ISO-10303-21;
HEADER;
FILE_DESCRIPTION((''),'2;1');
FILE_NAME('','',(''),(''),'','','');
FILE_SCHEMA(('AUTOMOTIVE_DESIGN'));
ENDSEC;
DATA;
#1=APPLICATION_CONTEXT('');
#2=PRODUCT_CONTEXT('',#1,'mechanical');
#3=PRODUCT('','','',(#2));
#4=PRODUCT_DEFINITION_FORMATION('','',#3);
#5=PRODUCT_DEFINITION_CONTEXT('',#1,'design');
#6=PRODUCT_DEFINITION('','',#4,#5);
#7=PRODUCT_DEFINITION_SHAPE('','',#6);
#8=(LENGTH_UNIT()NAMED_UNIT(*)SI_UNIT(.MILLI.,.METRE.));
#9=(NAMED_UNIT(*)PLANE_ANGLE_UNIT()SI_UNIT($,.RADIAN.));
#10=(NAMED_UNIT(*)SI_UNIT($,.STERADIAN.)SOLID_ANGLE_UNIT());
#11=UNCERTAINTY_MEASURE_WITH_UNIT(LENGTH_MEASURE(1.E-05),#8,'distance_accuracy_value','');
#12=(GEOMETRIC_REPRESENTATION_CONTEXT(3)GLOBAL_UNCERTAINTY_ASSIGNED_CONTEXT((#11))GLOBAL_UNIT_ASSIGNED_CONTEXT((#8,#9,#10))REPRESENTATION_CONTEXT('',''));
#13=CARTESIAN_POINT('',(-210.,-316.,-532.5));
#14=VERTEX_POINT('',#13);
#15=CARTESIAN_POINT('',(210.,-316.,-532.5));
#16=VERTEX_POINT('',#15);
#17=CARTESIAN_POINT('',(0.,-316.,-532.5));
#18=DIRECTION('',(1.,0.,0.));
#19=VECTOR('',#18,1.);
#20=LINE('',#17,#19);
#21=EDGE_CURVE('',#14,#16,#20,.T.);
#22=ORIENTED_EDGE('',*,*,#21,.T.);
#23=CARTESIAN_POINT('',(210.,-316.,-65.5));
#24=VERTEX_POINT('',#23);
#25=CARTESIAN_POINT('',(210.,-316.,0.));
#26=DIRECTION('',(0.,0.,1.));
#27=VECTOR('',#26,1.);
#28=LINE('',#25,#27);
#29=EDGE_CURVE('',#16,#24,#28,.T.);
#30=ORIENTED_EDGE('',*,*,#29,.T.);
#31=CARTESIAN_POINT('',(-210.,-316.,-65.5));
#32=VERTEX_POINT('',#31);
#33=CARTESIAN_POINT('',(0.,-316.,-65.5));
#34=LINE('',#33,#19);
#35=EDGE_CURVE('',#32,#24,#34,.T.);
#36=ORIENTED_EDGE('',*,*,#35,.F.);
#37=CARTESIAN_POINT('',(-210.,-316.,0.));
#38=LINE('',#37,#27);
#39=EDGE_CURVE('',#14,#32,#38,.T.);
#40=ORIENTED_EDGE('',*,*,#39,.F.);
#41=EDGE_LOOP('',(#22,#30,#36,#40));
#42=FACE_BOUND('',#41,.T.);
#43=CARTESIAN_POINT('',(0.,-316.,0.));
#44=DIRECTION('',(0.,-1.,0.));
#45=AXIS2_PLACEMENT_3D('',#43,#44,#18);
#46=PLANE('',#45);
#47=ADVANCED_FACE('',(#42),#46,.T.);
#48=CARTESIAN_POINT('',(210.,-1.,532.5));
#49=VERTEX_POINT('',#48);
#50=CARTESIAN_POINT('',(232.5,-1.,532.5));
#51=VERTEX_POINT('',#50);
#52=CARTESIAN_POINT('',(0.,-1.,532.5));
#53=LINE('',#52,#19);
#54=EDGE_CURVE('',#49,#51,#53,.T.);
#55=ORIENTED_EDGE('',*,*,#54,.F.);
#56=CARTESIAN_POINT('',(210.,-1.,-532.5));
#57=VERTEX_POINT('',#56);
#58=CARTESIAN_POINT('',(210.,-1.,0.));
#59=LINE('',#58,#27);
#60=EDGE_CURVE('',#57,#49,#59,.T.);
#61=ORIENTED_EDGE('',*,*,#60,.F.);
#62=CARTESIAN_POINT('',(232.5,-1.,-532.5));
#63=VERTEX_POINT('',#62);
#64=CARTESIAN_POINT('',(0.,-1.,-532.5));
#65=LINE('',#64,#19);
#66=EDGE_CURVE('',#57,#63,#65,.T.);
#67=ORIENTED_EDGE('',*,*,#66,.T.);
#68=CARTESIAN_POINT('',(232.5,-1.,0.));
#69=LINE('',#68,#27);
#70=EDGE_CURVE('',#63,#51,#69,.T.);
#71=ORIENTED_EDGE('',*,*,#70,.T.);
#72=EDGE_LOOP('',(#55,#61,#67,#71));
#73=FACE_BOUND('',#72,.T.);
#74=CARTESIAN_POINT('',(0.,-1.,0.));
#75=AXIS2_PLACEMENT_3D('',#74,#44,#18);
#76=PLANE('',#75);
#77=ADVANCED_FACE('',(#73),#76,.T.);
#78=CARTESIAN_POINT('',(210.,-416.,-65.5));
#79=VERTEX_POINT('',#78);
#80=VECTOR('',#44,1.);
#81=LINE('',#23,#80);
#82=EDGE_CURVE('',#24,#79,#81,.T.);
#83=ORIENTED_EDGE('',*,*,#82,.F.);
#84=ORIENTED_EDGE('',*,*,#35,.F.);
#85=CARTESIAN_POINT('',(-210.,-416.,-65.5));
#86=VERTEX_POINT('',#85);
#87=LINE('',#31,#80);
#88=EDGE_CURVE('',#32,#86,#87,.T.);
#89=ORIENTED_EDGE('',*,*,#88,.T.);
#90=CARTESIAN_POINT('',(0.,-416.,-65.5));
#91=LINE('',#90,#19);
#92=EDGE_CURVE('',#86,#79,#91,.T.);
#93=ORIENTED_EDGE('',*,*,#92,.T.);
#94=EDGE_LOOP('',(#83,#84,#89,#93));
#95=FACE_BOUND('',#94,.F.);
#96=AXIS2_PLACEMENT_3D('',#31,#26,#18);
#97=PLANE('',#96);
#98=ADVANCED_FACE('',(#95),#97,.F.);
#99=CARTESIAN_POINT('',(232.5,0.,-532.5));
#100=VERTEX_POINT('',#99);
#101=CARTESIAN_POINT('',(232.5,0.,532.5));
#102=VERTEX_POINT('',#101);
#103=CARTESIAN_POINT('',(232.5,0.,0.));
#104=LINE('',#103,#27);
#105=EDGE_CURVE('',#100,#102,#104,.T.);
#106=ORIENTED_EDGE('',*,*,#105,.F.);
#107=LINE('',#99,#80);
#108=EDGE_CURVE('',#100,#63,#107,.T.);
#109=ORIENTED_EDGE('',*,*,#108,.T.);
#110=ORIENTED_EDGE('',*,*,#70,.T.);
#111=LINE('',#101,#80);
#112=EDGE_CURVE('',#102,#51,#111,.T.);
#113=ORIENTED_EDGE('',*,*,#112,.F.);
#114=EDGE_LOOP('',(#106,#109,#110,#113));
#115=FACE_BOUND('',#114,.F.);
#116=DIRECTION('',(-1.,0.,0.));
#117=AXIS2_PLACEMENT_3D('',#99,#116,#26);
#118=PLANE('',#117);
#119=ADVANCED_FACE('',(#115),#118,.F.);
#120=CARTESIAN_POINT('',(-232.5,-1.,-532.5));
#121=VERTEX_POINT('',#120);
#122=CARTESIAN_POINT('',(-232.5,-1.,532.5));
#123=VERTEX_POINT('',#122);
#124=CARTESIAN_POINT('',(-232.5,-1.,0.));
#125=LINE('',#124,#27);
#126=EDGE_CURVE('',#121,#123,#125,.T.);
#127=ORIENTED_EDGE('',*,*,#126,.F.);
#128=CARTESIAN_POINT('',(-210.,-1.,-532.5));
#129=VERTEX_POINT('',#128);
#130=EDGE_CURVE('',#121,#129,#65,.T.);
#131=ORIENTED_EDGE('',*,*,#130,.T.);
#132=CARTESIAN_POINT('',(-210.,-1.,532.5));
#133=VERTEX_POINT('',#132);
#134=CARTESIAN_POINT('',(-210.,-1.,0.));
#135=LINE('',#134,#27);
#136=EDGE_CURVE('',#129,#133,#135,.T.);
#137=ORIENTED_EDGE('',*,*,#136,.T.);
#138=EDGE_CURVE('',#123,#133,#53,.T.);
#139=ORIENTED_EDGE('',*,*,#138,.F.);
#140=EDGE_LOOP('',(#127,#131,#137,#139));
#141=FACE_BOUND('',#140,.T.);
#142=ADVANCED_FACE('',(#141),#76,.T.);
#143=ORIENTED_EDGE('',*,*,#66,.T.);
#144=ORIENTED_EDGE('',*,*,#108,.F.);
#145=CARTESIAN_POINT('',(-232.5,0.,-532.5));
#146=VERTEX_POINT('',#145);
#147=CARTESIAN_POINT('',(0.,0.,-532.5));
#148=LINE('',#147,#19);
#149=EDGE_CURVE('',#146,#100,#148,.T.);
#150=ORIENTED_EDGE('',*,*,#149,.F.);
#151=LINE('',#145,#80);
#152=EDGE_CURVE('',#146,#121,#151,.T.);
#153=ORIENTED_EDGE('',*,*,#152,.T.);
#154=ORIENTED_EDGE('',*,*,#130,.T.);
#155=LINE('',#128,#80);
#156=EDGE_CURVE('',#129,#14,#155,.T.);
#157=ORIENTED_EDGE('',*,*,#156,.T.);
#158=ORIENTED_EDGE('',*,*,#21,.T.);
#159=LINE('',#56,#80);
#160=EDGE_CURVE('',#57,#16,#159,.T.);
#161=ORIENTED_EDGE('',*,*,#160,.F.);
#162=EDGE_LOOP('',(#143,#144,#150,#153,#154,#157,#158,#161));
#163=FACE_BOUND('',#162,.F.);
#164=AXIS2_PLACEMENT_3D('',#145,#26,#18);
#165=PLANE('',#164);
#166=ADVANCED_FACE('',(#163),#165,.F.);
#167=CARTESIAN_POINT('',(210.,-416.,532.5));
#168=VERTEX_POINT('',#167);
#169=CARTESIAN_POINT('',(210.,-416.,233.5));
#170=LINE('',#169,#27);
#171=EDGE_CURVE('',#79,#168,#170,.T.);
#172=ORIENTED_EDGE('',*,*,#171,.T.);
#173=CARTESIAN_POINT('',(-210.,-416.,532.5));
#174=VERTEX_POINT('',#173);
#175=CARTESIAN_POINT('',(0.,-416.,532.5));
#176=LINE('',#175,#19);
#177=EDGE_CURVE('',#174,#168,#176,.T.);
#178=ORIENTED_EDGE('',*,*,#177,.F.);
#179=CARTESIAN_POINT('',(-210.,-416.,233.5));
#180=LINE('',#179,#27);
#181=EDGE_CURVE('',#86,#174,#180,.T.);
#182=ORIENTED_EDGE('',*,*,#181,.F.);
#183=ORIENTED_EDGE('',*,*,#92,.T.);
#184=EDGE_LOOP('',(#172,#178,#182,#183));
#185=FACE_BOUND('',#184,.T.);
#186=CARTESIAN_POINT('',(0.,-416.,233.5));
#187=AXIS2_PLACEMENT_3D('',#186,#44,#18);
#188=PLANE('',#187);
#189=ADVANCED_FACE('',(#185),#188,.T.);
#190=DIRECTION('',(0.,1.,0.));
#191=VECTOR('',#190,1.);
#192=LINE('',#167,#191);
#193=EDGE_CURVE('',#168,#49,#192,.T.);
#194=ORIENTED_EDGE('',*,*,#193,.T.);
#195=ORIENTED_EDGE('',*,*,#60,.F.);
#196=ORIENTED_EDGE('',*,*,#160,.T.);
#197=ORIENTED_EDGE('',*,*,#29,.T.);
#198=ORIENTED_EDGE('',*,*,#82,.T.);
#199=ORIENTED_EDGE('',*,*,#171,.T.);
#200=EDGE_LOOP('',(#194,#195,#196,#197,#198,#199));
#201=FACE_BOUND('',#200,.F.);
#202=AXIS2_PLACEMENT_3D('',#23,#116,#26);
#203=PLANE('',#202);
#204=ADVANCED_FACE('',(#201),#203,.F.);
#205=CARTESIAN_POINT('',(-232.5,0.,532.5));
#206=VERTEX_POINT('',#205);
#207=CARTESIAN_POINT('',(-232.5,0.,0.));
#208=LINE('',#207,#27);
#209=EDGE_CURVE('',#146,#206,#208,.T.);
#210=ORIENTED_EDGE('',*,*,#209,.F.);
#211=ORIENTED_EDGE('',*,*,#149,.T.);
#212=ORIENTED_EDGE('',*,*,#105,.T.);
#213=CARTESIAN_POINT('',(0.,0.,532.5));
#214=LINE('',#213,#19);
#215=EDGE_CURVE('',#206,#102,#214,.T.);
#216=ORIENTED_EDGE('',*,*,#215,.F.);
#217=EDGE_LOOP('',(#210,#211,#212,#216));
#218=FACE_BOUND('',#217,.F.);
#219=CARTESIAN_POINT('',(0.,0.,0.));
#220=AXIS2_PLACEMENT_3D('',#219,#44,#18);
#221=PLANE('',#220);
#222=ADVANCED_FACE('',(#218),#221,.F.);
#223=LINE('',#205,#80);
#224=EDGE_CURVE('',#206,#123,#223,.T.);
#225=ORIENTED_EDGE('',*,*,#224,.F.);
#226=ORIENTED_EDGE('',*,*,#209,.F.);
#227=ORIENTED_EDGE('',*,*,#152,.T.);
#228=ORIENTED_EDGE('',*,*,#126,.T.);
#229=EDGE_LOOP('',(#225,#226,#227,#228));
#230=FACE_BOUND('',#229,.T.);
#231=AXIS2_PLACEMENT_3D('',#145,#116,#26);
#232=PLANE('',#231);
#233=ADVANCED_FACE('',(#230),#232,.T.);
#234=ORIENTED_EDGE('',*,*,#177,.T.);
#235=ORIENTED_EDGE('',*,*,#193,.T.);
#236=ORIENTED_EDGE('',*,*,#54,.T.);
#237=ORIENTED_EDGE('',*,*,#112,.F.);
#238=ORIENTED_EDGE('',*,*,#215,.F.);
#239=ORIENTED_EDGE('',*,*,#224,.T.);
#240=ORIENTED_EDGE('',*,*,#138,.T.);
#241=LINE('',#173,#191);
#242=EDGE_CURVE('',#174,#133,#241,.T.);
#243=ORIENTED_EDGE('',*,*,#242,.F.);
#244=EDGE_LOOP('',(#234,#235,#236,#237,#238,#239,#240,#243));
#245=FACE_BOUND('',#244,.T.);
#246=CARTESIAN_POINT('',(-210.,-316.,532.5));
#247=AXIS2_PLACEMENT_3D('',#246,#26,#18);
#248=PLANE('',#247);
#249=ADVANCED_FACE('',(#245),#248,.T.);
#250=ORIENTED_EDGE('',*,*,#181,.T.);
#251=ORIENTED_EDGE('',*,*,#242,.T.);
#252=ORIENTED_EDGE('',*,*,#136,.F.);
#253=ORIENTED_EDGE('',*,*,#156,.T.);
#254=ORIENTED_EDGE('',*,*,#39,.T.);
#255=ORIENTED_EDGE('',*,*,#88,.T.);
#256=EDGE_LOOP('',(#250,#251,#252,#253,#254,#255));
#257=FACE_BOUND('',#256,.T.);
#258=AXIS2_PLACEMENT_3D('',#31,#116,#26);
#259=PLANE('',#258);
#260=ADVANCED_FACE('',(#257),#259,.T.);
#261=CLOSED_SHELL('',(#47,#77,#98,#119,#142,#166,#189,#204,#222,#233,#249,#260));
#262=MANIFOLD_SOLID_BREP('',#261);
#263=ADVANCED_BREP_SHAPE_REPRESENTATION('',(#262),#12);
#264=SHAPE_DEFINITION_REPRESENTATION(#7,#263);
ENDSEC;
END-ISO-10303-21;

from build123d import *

# Parameters (mm, degrees)
F0_W     = 465
F0_H     = 1065
F1_DEPTH = 1
F2_W     = 420
F2_H     = 1065
F3_DEPTH = 315
F4_W     = 420
F4_H     = 598
F5_DEPTH = 100


with BuildPart() as f1:
    # F0 (on Front) → F1 (new body)
    with BuildSketch(Plane.XZ):
        Rectangle(F0_W, F0_H)
    extrude(amount=F1_DEPTH)

    # F2 (on face) → F3 (join)
    with BuildSketch(Plane.XZ.offset(1)):
        Rectangle(F2_W, F2_H)
    extrude(amount=F3_DEPTH)

    # F4 (on face) → F5 (join)
    with BuildSketch(Plane.XZ.offset(316)):
        with Locations((0, 233.5)):
            Rectangle(F4_W, F4_H)
    extrude(amount=F5_DEPTH)


solid = f1.part
